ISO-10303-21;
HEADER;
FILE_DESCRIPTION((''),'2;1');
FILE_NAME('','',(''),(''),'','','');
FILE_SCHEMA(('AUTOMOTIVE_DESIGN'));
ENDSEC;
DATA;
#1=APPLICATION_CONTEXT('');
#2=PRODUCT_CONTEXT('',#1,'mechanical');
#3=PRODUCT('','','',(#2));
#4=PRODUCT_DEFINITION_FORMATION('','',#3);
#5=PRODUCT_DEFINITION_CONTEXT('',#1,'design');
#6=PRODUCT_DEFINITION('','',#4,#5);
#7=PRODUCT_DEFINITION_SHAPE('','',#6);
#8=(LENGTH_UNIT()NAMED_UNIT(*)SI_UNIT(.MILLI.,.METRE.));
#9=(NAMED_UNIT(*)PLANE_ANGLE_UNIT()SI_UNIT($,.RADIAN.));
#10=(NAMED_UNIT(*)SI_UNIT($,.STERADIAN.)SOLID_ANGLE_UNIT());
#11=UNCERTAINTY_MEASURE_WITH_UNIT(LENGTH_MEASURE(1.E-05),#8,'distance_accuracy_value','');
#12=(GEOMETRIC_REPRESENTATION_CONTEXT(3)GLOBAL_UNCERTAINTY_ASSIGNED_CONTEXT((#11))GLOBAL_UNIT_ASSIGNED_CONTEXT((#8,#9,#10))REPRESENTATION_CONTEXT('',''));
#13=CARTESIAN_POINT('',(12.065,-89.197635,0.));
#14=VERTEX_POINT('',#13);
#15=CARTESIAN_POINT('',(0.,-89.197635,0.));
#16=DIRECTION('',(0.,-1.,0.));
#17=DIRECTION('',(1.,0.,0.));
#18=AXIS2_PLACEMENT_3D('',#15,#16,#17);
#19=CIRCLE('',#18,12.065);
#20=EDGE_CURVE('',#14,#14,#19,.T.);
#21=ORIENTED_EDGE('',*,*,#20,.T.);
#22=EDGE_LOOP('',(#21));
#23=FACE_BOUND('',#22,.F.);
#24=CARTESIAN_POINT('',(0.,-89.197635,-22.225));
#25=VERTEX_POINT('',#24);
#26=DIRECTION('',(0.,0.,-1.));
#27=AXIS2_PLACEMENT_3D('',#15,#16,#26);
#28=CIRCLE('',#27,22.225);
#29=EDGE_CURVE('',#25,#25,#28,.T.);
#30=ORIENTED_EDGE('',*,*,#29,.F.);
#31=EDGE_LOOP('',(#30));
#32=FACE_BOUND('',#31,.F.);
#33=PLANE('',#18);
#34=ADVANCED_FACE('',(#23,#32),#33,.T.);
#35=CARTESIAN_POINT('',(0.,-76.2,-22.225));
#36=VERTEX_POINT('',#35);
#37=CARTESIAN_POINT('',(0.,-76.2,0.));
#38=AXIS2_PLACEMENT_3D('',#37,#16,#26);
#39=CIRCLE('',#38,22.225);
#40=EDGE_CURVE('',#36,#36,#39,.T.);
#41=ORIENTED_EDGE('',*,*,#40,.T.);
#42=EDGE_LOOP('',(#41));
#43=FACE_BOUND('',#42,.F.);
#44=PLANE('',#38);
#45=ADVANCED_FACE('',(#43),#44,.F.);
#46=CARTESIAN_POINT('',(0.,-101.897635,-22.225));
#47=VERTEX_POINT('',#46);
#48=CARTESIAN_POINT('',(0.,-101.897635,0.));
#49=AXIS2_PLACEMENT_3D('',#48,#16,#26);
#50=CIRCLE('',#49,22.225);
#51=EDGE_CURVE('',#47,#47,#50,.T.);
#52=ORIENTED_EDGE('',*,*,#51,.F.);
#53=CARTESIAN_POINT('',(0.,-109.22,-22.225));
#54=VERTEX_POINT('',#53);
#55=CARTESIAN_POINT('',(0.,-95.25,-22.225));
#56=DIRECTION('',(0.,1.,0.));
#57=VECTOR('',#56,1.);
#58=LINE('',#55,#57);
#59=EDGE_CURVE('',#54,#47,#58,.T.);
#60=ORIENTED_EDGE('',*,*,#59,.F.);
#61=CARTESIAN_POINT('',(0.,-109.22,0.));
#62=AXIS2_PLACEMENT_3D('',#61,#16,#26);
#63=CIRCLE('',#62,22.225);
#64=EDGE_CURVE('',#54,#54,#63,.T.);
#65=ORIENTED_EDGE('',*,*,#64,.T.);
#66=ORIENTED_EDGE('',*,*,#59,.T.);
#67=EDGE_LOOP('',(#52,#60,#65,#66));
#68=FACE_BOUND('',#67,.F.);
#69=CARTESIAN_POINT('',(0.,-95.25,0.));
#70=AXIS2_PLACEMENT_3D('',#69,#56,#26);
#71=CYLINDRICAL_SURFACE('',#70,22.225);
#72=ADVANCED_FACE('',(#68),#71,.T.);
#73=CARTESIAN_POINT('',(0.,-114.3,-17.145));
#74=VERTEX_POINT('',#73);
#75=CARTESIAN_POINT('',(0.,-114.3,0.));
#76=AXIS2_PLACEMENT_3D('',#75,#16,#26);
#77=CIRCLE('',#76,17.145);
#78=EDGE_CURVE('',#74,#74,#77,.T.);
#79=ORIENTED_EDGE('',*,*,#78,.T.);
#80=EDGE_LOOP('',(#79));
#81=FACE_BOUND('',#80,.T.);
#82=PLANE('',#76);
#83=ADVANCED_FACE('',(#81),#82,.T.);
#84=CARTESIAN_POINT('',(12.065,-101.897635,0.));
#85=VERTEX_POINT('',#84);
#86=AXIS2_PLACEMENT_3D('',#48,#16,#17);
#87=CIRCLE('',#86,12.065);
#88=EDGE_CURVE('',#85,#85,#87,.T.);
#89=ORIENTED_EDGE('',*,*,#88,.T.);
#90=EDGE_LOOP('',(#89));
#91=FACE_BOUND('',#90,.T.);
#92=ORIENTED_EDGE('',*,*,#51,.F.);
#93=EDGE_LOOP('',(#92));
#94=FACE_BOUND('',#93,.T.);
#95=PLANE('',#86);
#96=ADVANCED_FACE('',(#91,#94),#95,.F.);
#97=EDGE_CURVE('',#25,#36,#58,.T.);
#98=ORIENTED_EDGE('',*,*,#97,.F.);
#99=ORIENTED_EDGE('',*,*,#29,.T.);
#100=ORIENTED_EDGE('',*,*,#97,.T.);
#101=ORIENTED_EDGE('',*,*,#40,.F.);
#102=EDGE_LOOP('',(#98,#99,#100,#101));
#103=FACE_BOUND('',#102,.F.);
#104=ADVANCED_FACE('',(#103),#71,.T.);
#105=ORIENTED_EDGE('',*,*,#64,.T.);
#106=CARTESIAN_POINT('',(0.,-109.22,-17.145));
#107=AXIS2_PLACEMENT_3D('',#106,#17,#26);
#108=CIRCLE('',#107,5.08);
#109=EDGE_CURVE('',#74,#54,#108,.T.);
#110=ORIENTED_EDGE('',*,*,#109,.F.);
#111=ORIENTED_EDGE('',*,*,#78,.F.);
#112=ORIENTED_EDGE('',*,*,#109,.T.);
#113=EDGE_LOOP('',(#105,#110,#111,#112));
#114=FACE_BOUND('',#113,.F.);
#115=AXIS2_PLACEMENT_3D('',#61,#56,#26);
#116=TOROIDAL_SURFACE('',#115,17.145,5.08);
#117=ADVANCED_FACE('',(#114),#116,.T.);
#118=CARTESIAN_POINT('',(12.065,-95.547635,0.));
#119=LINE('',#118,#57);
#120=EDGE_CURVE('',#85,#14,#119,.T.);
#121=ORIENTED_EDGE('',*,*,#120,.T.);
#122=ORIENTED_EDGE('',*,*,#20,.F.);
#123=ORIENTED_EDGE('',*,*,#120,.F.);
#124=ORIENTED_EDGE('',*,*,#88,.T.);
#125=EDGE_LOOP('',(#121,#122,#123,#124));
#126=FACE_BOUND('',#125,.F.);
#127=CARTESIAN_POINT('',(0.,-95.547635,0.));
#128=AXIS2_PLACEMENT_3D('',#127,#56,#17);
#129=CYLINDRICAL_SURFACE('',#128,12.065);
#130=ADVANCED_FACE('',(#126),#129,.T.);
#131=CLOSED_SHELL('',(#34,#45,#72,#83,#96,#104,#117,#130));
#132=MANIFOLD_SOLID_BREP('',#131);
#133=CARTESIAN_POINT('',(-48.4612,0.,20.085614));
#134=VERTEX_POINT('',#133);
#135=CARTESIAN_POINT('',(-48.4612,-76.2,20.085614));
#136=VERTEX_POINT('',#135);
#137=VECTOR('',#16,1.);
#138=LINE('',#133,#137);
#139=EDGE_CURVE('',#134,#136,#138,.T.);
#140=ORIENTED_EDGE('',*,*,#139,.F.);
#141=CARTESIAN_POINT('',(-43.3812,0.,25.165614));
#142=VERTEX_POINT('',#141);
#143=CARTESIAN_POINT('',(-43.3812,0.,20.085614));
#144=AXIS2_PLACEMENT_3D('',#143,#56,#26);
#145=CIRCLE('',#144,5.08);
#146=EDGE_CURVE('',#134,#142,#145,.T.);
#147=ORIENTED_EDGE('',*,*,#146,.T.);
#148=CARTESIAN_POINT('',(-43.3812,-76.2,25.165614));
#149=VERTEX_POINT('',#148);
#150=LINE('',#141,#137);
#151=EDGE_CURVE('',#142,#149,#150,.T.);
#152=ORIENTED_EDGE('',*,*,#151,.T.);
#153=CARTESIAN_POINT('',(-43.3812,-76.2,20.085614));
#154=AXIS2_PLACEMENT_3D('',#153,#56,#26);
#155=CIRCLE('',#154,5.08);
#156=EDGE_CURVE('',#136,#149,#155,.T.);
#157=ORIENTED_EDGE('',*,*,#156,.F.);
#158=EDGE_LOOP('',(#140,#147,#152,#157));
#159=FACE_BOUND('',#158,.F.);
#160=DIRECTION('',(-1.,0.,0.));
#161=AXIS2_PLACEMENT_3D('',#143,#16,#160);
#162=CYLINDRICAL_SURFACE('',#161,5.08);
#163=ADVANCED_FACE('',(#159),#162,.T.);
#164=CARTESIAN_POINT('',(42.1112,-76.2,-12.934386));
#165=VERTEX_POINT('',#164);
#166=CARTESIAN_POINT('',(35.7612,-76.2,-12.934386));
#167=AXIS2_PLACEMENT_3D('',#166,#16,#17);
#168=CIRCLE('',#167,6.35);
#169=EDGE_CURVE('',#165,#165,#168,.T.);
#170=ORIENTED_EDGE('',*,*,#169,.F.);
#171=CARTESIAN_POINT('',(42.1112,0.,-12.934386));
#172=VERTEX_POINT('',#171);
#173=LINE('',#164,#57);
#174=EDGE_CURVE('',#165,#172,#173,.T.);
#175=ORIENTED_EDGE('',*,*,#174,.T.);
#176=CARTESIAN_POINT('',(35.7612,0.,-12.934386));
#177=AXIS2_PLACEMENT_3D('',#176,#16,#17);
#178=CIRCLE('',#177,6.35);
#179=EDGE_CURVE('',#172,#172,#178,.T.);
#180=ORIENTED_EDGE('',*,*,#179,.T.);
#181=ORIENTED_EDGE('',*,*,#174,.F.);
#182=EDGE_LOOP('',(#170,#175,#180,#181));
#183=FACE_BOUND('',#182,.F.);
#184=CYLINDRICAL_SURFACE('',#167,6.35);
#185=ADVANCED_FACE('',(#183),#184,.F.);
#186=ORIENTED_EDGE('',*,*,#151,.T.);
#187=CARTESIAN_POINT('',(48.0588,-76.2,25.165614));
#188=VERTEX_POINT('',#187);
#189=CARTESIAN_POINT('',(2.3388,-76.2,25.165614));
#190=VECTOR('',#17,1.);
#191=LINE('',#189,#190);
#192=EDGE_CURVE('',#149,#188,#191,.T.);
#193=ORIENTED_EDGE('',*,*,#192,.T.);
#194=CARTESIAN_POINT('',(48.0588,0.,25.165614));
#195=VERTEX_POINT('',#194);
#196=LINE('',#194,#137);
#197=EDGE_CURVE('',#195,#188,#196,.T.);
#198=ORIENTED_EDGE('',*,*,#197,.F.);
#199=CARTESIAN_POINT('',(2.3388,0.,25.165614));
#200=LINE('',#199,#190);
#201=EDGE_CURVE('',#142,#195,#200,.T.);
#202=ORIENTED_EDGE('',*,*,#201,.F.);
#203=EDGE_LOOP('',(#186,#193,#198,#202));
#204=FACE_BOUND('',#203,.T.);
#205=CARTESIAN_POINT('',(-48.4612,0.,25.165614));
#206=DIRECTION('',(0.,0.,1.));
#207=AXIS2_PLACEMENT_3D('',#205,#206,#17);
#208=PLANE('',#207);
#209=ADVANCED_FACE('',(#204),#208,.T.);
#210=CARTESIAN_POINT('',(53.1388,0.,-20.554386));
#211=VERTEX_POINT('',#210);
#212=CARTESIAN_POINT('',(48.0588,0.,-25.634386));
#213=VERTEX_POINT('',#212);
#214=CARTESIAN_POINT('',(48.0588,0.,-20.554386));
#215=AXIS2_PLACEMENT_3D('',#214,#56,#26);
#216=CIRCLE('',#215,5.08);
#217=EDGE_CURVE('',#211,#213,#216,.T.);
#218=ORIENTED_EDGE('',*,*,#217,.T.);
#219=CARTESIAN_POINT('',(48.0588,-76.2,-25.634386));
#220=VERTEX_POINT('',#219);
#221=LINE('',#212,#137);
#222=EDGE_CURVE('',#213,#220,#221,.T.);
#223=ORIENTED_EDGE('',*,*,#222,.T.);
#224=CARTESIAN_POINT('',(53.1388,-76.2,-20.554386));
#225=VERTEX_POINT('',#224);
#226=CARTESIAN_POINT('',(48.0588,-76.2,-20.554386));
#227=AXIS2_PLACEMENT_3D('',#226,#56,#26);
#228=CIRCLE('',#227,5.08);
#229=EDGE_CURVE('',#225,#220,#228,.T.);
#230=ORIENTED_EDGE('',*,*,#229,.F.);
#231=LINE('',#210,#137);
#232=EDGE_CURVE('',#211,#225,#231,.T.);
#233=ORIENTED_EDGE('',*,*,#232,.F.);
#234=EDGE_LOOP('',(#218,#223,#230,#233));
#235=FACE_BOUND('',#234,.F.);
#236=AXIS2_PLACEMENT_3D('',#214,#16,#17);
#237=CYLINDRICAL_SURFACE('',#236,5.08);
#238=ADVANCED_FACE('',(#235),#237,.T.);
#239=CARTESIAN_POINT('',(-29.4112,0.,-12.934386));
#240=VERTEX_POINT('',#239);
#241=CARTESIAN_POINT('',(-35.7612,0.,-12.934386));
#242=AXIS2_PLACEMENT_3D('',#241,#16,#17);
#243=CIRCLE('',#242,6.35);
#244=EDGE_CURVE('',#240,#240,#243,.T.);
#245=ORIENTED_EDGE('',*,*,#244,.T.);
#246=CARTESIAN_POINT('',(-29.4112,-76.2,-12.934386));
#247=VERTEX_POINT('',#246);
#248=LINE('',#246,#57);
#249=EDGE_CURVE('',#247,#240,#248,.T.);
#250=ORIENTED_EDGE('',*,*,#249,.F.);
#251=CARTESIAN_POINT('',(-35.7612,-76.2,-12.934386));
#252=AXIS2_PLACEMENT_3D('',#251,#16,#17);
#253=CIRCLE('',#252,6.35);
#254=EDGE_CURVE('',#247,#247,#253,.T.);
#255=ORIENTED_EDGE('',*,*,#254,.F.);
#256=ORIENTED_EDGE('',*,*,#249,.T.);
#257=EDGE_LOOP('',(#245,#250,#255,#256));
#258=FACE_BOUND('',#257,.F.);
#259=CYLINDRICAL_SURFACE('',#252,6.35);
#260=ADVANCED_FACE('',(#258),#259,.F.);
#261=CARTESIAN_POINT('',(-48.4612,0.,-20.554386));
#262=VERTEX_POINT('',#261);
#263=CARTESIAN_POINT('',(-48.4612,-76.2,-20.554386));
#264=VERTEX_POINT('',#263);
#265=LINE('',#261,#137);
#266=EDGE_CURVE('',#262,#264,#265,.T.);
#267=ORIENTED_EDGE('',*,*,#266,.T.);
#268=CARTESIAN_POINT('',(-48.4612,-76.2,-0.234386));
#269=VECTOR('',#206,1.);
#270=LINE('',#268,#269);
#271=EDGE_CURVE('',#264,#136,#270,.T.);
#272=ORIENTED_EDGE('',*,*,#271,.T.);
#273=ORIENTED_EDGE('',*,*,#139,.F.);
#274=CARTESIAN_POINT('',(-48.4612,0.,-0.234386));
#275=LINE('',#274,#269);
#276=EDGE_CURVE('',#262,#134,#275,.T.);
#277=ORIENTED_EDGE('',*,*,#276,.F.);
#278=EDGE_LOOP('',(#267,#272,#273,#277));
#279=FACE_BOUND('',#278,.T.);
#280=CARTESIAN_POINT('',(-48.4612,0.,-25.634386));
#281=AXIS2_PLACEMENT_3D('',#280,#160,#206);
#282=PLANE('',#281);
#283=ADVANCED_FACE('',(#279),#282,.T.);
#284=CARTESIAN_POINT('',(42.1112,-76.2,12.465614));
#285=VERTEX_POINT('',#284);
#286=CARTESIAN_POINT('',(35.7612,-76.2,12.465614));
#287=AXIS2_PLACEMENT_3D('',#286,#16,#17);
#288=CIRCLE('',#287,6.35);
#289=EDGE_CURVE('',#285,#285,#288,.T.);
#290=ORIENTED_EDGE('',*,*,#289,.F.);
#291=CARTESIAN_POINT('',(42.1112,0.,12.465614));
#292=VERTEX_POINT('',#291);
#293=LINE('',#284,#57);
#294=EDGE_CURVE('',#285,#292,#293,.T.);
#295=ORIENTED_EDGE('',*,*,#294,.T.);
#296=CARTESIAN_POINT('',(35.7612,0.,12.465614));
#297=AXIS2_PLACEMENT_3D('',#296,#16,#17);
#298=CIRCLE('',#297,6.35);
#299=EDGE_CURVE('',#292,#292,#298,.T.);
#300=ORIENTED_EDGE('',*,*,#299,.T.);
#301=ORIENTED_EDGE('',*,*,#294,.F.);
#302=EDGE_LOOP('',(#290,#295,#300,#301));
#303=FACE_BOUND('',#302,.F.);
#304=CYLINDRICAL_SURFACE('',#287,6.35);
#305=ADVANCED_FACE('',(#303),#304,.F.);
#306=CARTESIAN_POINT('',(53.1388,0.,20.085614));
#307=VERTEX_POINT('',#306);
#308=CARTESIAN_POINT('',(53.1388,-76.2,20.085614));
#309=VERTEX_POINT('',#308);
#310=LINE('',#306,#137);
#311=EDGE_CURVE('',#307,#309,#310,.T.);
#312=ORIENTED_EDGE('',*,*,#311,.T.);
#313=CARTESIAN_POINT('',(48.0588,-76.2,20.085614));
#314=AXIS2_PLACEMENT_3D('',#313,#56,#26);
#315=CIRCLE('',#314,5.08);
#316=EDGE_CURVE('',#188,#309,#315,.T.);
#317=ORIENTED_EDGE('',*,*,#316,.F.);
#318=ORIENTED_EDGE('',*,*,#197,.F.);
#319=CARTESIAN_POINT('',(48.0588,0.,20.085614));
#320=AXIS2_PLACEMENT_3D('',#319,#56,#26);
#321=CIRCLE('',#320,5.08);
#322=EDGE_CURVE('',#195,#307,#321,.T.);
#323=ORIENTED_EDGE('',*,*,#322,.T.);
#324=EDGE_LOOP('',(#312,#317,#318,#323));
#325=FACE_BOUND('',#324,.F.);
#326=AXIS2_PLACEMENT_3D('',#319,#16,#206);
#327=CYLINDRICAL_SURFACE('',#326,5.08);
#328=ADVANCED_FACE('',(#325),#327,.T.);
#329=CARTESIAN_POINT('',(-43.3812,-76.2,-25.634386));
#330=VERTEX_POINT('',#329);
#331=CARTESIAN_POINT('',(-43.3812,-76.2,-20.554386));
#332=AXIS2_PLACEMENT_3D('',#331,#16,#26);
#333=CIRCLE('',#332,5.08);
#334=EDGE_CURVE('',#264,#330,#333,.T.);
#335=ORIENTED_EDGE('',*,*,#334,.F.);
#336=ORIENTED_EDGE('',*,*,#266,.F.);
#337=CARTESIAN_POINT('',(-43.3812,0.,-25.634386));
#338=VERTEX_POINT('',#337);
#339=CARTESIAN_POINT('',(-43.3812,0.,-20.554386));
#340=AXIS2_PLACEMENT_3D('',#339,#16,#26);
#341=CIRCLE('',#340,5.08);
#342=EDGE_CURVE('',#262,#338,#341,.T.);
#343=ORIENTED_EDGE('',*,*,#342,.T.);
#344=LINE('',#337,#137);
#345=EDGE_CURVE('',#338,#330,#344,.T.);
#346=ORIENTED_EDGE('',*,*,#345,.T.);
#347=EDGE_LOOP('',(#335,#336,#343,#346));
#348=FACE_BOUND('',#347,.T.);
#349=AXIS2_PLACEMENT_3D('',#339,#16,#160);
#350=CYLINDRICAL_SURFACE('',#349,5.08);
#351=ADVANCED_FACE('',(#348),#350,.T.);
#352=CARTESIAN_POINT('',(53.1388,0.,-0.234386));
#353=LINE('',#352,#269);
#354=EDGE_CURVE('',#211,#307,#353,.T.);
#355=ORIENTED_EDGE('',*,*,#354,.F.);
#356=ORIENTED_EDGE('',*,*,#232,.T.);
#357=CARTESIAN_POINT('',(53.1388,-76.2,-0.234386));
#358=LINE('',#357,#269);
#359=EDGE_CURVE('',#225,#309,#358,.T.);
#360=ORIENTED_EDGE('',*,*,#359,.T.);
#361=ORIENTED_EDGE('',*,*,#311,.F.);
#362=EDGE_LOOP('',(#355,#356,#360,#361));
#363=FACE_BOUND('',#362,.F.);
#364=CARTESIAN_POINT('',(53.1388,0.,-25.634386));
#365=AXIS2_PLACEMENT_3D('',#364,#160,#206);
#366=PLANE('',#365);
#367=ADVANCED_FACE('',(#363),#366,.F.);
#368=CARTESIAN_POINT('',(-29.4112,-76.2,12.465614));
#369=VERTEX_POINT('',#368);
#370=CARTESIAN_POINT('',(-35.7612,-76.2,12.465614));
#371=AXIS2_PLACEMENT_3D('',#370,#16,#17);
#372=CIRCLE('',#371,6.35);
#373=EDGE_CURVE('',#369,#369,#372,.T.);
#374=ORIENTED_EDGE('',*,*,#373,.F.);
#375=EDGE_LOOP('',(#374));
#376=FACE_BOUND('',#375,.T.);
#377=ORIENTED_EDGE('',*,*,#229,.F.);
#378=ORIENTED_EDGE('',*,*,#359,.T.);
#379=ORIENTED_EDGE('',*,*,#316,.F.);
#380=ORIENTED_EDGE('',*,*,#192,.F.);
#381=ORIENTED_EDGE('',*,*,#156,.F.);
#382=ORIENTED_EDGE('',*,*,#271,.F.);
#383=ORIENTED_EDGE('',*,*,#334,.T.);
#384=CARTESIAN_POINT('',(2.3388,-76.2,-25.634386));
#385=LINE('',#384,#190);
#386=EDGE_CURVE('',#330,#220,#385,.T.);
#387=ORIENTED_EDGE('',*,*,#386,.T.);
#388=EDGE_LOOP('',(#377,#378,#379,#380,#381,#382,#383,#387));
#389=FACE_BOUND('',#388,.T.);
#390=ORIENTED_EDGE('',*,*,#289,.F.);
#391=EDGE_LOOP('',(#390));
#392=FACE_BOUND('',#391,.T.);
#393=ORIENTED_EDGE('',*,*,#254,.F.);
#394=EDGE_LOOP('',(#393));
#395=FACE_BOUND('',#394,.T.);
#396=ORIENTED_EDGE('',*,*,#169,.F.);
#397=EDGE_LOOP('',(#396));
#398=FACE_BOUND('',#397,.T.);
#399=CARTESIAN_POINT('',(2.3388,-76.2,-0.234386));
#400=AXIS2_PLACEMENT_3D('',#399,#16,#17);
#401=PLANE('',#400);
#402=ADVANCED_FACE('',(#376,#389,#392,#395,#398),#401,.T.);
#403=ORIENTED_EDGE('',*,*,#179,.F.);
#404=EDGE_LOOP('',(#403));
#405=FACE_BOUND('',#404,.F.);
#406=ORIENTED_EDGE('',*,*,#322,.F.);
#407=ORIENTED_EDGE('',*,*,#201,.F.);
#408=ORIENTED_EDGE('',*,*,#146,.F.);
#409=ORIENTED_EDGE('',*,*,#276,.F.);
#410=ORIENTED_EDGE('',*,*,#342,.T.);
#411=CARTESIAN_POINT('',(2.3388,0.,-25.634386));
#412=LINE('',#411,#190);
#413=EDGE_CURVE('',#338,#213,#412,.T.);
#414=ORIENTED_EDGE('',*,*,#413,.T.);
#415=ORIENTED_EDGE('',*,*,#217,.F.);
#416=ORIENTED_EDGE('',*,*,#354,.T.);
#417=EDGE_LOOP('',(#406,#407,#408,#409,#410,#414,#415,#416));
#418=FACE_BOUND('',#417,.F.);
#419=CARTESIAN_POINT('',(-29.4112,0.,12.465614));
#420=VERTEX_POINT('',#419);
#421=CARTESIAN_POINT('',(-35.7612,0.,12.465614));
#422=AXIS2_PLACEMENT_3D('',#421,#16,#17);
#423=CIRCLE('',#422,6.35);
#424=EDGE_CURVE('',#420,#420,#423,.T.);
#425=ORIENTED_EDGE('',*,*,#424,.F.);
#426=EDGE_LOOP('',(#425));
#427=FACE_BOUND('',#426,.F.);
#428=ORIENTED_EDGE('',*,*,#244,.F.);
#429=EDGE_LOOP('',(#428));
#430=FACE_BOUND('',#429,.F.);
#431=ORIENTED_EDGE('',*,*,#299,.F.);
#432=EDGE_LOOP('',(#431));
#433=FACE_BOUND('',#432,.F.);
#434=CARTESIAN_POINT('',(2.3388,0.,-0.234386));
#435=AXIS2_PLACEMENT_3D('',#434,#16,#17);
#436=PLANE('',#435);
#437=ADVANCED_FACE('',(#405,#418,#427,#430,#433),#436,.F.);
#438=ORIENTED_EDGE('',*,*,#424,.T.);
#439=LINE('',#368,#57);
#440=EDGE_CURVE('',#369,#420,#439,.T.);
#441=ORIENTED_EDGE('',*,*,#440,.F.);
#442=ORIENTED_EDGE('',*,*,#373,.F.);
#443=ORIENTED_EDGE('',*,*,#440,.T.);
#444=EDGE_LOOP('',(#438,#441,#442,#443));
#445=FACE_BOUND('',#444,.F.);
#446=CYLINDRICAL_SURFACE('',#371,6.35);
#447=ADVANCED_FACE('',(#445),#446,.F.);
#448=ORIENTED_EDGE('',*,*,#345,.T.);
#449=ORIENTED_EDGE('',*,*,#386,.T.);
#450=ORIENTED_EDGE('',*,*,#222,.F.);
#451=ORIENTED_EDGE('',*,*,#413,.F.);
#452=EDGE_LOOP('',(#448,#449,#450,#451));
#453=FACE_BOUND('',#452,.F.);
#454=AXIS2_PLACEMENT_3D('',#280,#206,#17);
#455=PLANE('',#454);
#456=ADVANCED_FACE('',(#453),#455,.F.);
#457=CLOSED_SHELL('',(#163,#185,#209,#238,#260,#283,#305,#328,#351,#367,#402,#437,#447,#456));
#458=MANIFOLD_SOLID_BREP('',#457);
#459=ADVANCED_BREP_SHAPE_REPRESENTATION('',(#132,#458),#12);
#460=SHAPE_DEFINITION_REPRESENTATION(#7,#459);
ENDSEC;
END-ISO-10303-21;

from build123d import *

# Parameters (mm, degrees)
F0_W     = 101.6
F0_H     = 50.8
F1_DEPTH = 76.2
F2_R     = 6.35
F3_DEPTH = 25.4
F4_DEPTH = 76.201
F5_W     = 38.1
F5_H     = 22.225
F7_W     = 10.16
F7_H     = 12.7
F9_R     = 5.08
F10_R    = 5.08
F11_R    = 5.08


with BuildPart() as f1:
    # F0 (on Front) → F1 (new body)
    with BuildSketch(Plane.XZ):
        with Locations((2.3388, -0.234386)):
            Rectangle(F0_W, F0_H)
    extrude(amount=F1_DEPTH)

    # F2 (on face) → F3 (cut)
    with BuildSketch(Plane.XZ.offset(76.2)):
        with Locations((35.7612, 12.465614)):
            Circle(F2_R)
    extrude(amount=-F3_DEPTH, mode=Mode.SUBTRACT)

    # F2 (on face) → F4 (cut, through all)
    with BuildSketch(Plane.XZ.offset(76.2)):
        with Locations((-35.7612, 12.465614)):
            Circle(F2_R)
        with Locations((-35.7612, -12.934386)):
            Circle(F2_R)
        with Locations((35.7612, 12.465614)):
            Circle(F2_R)
        with Locations((35.7612, -12.934386)):
            Circle(F2_R)
    extrude(amount=-F4_DEPTH, mode=Mode.SUBTRACT)

    # F10
    f10_edges = [f1.edges().sort_by_distance(p)[0] for p in [
        (-48.4612, -38.1, -25.634386),
        (53.1388, -38.1, -25.634386),
        (-48.4612, -38.1, 25.165614),
    ]]
    fillet(f10_edges, radius=F10_R)

    # F11
    f11_edges = [f1.edges().sort_by_distance(p)[0] for p in [
        (53.1388, -38.1, 25.165614),
    ]]
    fillet(f11_edges, radius=F11_R)


with BuildPart() as f6:
    # F5 (on Right) → F6 (revolve)
    with BuildSketch(Plane.YZ):
        with Locations((-95.25, -11.1125)):
            Rectangle(F5_W, F5_H)
    revolve(axis=Axis((0, -95.25, 0), (0, -1, 0)))

    # F7 (on Top) → F8 (revolve, cut)
    with BuildSketch(Plane.XY):
        with Locations((17.145, -95.547635)):
            Rectangle(F7_W, F7_H)
    revolve(axis=Axis((0, -70.485167, 0), (0, -1, 0)), mode=Mode.SUBTRACT)

    # F9
    f9_edges = [f6.edges().sort_by_distance(p)[0] for p in [
        (0, -114.3, 22.225),
    ]]
    fillet(f9_edges, radius=F9_R)


solid = Compound([f1.part, f6.part])
